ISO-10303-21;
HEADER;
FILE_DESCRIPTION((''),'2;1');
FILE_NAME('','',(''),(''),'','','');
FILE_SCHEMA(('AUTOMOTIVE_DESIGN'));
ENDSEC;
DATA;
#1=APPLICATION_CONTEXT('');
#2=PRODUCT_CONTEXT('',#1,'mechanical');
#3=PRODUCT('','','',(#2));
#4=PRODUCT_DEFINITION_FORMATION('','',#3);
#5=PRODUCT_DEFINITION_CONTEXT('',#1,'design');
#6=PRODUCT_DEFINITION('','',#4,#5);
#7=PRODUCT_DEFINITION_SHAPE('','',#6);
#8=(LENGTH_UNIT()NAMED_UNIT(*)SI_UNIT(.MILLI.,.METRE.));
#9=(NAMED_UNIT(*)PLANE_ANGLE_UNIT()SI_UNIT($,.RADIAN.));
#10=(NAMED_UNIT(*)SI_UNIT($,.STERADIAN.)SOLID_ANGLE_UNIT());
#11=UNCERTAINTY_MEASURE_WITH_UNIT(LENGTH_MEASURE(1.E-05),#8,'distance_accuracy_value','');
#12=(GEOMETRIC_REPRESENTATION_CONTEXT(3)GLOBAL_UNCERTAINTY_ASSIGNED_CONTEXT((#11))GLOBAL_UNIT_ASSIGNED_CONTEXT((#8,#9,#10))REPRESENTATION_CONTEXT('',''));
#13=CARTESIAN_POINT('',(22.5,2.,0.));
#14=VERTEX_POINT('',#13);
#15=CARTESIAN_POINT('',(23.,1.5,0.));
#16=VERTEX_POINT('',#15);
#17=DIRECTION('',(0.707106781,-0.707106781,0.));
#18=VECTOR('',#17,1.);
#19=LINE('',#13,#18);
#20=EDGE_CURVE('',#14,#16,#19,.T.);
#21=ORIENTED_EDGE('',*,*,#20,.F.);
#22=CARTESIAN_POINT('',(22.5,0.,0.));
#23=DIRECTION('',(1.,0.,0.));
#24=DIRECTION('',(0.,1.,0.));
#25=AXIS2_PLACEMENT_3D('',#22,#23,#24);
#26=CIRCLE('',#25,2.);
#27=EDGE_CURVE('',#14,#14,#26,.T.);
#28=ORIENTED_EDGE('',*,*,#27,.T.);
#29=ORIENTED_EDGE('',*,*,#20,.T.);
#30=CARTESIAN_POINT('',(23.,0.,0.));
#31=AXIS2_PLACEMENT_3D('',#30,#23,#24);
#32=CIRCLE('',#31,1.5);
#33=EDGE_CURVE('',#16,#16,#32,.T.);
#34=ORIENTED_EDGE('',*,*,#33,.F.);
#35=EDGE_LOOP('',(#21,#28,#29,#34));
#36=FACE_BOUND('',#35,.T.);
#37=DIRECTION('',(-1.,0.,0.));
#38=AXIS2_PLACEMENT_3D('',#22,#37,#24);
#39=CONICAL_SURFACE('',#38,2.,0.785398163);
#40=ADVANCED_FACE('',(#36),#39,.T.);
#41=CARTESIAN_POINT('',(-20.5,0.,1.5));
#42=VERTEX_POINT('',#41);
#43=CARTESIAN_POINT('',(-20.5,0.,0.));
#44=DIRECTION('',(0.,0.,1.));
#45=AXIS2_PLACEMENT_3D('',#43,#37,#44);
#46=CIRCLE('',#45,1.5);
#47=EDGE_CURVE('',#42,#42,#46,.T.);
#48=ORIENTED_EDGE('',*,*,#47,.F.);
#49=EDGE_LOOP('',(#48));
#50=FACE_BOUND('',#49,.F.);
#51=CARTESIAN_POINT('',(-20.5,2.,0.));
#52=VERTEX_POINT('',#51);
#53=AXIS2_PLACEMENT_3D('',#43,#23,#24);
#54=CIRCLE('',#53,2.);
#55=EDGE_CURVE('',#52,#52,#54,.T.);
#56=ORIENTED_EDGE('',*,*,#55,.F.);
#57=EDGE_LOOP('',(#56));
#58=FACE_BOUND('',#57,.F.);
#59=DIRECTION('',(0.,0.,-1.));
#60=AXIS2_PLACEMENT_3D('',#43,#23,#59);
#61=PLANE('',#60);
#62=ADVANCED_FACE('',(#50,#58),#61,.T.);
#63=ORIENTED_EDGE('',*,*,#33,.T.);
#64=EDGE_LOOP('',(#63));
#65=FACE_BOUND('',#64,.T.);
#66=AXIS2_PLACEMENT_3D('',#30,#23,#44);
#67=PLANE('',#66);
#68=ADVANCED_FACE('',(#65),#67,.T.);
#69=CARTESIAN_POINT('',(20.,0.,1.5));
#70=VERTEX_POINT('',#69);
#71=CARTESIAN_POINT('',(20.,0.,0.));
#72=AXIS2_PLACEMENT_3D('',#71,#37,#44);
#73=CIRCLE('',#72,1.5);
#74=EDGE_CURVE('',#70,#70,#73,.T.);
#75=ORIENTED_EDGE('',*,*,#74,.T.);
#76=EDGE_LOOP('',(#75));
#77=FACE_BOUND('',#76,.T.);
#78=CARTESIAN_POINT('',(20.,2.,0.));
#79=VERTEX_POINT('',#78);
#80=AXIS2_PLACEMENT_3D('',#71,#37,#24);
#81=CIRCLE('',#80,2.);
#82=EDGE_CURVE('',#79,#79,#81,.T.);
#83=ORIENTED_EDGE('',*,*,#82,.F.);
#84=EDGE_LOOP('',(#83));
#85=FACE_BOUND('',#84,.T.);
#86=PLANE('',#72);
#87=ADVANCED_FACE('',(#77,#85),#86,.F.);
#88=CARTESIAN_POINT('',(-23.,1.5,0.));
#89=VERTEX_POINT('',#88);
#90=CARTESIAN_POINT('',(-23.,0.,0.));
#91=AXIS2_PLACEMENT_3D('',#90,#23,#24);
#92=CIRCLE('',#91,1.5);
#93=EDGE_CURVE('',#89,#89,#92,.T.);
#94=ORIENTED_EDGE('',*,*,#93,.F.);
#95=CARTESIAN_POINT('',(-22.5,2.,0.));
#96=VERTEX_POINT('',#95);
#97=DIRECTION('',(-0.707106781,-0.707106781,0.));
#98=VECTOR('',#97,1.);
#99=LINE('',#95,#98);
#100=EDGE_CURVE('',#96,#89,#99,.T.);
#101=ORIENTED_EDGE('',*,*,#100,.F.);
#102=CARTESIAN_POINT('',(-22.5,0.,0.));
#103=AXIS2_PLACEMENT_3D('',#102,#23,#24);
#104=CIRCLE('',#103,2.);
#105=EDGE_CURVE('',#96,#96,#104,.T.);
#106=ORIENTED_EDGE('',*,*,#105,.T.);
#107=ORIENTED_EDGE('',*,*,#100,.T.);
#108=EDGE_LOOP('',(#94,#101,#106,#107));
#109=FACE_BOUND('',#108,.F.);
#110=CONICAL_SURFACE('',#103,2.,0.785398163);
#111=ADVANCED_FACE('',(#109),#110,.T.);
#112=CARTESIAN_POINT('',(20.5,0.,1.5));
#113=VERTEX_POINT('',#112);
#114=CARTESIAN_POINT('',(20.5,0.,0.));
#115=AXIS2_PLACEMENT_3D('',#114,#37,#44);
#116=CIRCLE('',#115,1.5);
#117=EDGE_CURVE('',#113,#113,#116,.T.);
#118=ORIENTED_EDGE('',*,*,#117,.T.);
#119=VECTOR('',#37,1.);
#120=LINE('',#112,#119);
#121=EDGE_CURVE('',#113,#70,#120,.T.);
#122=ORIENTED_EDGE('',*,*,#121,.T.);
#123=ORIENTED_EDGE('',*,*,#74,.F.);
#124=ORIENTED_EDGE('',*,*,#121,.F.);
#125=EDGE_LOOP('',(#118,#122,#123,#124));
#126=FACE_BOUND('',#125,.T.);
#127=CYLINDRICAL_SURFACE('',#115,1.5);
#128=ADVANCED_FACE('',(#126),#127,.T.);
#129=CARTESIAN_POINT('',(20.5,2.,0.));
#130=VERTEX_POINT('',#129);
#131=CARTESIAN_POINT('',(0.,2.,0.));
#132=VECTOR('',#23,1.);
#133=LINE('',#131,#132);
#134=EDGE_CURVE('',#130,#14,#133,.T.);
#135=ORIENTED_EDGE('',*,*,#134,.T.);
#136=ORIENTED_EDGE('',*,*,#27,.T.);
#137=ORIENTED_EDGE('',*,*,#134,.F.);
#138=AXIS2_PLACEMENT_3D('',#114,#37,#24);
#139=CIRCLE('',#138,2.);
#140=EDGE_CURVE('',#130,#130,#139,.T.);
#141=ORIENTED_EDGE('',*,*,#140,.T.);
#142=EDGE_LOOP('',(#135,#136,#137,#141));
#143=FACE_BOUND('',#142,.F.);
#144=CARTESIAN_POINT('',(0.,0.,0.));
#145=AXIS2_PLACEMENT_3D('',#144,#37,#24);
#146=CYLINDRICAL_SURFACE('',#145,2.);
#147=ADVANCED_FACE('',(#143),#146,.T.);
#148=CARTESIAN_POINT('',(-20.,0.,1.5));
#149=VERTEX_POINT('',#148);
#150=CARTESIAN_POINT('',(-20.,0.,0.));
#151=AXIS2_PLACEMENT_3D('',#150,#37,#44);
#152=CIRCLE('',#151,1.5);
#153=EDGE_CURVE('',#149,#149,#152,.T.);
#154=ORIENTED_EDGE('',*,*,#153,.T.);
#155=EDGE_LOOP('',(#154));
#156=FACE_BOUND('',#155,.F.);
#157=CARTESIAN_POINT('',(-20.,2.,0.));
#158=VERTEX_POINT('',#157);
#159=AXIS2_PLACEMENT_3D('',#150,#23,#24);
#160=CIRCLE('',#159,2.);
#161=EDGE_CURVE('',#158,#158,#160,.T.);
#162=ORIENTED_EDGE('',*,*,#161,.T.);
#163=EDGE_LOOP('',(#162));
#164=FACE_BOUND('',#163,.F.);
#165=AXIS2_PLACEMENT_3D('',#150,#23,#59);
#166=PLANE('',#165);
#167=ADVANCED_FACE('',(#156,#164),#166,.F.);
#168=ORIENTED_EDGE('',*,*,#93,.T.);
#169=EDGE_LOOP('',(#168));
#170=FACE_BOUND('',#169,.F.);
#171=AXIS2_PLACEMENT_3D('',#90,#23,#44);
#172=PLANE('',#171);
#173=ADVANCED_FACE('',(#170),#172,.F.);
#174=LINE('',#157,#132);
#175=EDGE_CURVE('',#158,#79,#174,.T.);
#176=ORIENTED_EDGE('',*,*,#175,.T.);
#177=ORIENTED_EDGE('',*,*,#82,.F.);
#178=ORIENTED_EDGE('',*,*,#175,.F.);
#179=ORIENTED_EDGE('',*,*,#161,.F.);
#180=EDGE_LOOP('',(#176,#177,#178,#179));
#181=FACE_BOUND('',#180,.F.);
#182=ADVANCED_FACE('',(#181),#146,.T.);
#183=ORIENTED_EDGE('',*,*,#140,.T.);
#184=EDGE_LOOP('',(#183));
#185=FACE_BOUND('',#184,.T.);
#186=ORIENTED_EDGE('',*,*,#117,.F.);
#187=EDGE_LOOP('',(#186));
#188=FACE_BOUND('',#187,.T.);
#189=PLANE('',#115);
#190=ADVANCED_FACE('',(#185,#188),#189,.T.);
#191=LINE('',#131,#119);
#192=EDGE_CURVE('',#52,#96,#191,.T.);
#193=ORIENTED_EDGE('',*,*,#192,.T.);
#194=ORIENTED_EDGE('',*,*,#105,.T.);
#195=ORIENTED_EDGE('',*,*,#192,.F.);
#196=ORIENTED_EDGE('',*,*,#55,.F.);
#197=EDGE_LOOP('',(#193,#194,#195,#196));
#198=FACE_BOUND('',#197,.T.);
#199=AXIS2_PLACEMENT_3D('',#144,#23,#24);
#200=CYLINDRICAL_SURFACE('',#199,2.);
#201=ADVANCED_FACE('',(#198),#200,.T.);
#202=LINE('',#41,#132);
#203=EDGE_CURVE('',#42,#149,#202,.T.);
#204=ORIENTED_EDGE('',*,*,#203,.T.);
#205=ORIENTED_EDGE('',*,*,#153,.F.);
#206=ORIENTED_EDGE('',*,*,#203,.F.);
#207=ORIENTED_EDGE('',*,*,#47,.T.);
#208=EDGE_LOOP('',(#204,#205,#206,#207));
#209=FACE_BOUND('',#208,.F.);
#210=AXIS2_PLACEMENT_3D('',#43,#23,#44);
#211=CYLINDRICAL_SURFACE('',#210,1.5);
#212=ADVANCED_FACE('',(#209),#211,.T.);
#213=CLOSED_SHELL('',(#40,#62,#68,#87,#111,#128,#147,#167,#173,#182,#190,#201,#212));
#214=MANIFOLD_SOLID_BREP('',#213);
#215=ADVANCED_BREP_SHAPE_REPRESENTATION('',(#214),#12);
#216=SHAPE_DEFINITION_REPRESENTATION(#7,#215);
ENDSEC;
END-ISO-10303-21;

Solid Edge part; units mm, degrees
sketch "Sketch1" plane through (0, 0, 0) normal (1, 0, 0) x (0, 1, 0)
  circle A0 centre (0, 0) radius 2
extrude "Protrusion1" add sketch "Sketch1" along normal mid plane 46
chamfer "Chamfer_1" distance 0.5 angle 45 2 edges at (23, -2, 0) (-23, -2, 0)
sketch "Sketch2" plane through (0, 0, 0) normal (0, -1, 0) x (1, 0, 0)
  line L0 (20.5, 2) -> (20.5, 1.5)
  line L1 (20.5, 1.5) -> (20, 1.5)
  line L2 (20, 1.5) -> (20, 2)
  line L3 (20, 2) -> (20.5, 2)
revolve "RevolvedCutout1" cut sketch "Sketch2" angle 360 about axis through (23, 0, 0) along (-1, 0, 0)
mirror "Mirror1" about plane through (0, 0, 0) normal (1, 0, 0) of "RevolvedCutout1"
properties material "PVC"
